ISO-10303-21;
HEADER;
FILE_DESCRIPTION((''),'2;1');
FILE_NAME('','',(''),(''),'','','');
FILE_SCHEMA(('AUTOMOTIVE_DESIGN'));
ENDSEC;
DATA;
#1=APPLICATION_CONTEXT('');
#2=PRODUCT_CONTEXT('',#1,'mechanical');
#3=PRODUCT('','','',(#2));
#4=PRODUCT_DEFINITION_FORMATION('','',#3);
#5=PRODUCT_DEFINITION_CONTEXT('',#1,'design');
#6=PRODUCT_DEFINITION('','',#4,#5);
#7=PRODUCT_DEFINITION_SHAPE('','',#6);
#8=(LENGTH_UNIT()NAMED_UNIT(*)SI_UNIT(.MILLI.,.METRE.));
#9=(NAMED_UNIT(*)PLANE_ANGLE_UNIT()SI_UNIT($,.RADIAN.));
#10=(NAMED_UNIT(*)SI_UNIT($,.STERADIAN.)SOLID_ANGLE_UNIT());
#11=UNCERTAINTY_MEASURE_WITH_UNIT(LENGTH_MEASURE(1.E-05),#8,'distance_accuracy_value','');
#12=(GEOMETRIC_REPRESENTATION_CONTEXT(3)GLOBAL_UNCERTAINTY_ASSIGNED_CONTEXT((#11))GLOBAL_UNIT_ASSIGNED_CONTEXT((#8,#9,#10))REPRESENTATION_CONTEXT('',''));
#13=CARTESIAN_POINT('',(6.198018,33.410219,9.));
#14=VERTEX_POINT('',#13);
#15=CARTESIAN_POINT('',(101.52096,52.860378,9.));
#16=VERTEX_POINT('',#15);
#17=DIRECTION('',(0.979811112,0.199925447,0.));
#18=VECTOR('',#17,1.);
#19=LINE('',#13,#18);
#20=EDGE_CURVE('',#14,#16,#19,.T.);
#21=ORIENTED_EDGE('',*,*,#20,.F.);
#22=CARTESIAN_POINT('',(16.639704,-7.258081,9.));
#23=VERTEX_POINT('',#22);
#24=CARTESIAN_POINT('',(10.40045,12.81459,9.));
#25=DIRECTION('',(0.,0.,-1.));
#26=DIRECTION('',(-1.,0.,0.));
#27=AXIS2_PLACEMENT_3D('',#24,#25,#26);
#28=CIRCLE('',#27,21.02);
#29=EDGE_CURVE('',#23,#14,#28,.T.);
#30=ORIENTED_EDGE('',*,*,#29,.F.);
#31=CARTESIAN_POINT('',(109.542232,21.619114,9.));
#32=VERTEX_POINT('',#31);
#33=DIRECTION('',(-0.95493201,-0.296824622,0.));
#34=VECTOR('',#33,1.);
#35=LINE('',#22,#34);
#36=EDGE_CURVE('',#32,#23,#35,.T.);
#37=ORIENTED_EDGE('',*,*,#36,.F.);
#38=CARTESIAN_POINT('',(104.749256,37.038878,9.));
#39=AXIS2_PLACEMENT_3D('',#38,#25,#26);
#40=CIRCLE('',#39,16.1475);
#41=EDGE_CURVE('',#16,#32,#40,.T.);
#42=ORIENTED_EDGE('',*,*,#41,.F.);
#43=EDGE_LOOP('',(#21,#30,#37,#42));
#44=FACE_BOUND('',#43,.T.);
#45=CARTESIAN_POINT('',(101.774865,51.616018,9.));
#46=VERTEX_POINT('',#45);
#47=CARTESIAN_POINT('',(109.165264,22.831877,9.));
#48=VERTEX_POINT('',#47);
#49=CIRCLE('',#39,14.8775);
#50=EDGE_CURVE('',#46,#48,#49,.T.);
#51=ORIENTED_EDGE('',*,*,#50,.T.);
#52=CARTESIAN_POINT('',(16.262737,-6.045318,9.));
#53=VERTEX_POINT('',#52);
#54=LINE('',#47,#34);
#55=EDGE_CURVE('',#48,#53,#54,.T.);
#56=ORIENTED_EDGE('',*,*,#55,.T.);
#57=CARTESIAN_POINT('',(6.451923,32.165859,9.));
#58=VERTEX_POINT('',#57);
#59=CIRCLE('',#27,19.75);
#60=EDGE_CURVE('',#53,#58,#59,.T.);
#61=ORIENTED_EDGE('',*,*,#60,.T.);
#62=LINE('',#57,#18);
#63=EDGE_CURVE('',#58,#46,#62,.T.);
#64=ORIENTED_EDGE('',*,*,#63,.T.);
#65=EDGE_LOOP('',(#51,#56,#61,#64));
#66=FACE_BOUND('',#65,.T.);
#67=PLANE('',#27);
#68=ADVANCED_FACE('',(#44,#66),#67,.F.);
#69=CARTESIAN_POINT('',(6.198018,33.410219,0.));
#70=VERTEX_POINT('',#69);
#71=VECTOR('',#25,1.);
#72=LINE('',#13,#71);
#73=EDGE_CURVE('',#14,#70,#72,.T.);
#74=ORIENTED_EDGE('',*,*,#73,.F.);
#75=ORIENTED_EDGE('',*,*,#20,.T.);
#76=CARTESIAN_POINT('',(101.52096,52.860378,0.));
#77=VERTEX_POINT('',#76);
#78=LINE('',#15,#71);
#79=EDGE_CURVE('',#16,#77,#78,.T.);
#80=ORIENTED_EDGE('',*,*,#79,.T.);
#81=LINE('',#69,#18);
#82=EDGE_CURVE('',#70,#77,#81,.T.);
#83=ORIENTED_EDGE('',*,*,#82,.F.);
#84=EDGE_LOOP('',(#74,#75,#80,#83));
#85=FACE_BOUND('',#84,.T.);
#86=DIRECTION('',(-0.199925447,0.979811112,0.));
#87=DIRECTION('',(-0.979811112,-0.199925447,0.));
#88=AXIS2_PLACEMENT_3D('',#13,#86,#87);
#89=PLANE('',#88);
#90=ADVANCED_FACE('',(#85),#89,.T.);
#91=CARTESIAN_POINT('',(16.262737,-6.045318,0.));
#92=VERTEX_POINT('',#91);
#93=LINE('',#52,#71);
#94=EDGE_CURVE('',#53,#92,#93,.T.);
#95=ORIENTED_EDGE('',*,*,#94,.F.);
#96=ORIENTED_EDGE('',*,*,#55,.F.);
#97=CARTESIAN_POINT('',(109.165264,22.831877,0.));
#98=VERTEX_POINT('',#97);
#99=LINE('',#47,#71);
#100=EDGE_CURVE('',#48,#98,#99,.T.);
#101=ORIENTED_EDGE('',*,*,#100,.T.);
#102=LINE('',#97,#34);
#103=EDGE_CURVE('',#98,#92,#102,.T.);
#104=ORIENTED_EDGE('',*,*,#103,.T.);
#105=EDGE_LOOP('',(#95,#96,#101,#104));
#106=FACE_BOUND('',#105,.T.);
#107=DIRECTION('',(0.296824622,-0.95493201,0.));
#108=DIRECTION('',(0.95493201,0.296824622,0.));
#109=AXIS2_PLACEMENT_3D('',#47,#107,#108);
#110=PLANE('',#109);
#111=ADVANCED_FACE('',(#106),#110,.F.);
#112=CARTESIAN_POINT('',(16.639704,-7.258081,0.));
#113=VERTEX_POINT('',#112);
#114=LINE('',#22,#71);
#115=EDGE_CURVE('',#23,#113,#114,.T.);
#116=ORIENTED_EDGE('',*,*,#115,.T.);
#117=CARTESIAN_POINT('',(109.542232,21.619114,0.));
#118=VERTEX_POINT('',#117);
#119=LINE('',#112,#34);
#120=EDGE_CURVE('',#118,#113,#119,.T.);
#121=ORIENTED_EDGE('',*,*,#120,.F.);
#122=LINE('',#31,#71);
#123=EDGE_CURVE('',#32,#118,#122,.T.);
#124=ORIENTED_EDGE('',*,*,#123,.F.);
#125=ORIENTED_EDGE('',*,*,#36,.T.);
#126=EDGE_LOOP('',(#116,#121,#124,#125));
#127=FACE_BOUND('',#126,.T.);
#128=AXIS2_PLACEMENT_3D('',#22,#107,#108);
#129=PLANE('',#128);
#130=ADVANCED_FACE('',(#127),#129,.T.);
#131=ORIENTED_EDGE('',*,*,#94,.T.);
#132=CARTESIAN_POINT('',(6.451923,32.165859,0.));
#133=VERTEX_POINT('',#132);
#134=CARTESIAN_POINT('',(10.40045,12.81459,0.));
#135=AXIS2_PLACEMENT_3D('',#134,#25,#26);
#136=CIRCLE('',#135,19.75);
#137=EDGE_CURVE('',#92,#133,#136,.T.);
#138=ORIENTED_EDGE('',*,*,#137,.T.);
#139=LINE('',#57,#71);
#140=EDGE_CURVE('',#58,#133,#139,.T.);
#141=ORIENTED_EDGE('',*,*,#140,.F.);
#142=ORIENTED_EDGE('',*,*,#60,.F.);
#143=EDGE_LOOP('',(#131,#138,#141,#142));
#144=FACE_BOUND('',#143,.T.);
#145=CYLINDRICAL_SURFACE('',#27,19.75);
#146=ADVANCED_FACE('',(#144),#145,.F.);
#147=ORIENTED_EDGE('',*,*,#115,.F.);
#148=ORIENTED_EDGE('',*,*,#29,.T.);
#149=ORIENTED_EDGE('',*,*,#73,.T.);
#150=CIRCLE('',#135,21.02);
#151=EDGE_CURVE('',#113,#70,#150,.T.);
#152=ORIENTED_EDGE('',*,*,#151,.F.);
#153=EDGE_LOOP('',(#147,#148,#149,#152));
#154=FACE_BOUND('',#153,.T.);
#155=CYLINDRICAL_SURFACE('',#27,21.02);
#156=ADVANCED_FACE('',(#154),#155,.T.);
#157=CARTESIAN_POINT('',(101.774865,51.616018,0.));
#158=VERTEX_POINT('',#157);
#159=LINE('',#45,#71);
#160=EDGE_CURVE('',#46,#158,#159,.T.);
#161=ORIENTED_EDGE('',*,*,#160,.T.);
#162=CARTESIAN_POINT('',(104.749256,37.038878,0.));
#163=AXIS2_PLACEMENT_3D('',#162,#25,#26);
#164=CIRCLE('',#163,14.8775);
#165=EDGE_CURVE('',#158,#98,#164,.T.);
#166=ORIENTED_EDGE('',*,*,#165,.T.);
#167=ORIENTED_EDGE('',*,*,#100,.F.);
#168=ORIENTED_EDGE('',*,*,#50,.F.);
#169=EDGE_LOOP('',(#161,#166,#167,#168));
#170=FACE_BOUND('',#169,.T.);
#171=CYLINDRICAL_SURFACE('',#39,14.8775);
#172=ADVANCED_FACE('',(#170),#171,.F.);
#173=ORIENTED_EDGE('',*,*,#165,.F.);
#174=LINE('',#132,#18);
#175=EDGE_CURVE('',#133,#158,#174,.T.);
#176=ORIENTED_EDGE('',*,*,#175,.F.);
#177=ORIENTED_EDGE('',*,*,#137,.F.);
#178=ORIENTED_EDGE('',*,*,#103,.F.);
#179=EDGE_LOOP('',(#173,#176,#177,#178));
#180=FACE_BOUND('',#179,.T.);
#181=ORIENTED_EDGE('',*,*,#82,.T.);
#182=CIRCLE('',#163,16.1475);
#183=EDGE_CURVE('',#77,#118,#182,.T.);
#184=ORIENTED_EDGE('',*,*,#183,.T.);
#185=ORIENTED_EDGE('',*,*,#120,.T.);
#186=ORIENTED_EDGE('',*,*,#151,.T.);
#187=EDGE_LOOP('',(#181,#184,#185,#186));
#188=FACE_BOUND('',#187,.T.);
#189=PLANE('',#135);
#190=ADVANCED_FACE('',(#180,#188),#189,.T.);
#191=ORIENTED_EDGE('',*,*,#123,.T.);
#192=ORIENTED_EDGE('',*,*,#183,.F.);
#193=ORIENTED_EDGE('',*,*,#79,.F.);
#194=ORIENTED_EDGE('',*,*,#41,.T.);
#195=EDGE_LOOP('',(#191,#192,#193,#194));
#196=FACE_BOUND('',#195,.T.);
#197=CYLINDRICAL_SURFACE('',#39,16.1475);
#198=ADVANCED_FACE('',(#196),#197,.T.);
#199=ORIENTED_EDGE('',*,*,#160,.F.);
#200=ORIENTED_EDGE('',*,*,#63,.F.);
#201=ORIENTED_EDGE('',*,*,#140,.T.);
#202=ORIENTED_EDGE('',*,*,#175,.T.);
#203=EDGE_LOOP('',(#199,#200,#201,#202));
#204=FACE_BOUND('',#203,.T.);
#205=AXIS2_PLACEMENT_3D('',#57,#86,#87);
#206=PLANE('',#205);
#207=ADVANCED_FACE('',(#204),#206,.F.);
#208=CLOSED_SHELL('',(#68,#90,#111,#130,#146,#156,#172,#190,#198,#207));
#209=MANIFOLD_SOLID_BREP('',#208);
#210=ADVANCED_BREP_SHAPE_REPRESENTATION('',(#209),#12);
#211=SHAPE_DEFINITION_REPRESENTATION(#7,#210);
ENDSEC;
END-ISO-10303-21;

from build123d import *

# Parameters (mm, degrees)
EXTRUDE_THIN1_DEPTH = 9


with BuildPart() as part:
    # Sketch2 → Extrude-Thin1 (new body)
    with BuildSketch(Plane.XY):
        with BuildLine():
            Line((109.542231626, 21.6191135), (16.639703964, -7.258081285))
            ThreePointArc((16.639703964, -7.258081285), (-9.959186734, 7.58720251), (6.198017516, 33.410219145))
            Line((6.198017516, 33.410219145), (101.520959889, 52.860378067))
            ThreePointArc((101.520959889, 52.860378067), (120.389467306, 41.054540952), (109.542231626, 21.6191135))
        make_face()
        with BuildLine():
            Line((109.165264356, 22.831877153), (16.262736694, -6.045317632))
            ThreePointArc((16.262736694, -6.045317632), (-8.729084965, 7.903034173), (6.451922834, 32.165859033))
            Line((6.451922834, 32.165859033), (101.774865207, 51.616017955))
            ThreePointArc((101.774865207, 51.616017955), (119.159365537, 40.738709289), (109.165264356, 22.831877153))
        make_face(mode=Mode.SUBTRACT)
    extrude(amount=EXTRUDE_THIN1_DEPTH)


solid = part.part
